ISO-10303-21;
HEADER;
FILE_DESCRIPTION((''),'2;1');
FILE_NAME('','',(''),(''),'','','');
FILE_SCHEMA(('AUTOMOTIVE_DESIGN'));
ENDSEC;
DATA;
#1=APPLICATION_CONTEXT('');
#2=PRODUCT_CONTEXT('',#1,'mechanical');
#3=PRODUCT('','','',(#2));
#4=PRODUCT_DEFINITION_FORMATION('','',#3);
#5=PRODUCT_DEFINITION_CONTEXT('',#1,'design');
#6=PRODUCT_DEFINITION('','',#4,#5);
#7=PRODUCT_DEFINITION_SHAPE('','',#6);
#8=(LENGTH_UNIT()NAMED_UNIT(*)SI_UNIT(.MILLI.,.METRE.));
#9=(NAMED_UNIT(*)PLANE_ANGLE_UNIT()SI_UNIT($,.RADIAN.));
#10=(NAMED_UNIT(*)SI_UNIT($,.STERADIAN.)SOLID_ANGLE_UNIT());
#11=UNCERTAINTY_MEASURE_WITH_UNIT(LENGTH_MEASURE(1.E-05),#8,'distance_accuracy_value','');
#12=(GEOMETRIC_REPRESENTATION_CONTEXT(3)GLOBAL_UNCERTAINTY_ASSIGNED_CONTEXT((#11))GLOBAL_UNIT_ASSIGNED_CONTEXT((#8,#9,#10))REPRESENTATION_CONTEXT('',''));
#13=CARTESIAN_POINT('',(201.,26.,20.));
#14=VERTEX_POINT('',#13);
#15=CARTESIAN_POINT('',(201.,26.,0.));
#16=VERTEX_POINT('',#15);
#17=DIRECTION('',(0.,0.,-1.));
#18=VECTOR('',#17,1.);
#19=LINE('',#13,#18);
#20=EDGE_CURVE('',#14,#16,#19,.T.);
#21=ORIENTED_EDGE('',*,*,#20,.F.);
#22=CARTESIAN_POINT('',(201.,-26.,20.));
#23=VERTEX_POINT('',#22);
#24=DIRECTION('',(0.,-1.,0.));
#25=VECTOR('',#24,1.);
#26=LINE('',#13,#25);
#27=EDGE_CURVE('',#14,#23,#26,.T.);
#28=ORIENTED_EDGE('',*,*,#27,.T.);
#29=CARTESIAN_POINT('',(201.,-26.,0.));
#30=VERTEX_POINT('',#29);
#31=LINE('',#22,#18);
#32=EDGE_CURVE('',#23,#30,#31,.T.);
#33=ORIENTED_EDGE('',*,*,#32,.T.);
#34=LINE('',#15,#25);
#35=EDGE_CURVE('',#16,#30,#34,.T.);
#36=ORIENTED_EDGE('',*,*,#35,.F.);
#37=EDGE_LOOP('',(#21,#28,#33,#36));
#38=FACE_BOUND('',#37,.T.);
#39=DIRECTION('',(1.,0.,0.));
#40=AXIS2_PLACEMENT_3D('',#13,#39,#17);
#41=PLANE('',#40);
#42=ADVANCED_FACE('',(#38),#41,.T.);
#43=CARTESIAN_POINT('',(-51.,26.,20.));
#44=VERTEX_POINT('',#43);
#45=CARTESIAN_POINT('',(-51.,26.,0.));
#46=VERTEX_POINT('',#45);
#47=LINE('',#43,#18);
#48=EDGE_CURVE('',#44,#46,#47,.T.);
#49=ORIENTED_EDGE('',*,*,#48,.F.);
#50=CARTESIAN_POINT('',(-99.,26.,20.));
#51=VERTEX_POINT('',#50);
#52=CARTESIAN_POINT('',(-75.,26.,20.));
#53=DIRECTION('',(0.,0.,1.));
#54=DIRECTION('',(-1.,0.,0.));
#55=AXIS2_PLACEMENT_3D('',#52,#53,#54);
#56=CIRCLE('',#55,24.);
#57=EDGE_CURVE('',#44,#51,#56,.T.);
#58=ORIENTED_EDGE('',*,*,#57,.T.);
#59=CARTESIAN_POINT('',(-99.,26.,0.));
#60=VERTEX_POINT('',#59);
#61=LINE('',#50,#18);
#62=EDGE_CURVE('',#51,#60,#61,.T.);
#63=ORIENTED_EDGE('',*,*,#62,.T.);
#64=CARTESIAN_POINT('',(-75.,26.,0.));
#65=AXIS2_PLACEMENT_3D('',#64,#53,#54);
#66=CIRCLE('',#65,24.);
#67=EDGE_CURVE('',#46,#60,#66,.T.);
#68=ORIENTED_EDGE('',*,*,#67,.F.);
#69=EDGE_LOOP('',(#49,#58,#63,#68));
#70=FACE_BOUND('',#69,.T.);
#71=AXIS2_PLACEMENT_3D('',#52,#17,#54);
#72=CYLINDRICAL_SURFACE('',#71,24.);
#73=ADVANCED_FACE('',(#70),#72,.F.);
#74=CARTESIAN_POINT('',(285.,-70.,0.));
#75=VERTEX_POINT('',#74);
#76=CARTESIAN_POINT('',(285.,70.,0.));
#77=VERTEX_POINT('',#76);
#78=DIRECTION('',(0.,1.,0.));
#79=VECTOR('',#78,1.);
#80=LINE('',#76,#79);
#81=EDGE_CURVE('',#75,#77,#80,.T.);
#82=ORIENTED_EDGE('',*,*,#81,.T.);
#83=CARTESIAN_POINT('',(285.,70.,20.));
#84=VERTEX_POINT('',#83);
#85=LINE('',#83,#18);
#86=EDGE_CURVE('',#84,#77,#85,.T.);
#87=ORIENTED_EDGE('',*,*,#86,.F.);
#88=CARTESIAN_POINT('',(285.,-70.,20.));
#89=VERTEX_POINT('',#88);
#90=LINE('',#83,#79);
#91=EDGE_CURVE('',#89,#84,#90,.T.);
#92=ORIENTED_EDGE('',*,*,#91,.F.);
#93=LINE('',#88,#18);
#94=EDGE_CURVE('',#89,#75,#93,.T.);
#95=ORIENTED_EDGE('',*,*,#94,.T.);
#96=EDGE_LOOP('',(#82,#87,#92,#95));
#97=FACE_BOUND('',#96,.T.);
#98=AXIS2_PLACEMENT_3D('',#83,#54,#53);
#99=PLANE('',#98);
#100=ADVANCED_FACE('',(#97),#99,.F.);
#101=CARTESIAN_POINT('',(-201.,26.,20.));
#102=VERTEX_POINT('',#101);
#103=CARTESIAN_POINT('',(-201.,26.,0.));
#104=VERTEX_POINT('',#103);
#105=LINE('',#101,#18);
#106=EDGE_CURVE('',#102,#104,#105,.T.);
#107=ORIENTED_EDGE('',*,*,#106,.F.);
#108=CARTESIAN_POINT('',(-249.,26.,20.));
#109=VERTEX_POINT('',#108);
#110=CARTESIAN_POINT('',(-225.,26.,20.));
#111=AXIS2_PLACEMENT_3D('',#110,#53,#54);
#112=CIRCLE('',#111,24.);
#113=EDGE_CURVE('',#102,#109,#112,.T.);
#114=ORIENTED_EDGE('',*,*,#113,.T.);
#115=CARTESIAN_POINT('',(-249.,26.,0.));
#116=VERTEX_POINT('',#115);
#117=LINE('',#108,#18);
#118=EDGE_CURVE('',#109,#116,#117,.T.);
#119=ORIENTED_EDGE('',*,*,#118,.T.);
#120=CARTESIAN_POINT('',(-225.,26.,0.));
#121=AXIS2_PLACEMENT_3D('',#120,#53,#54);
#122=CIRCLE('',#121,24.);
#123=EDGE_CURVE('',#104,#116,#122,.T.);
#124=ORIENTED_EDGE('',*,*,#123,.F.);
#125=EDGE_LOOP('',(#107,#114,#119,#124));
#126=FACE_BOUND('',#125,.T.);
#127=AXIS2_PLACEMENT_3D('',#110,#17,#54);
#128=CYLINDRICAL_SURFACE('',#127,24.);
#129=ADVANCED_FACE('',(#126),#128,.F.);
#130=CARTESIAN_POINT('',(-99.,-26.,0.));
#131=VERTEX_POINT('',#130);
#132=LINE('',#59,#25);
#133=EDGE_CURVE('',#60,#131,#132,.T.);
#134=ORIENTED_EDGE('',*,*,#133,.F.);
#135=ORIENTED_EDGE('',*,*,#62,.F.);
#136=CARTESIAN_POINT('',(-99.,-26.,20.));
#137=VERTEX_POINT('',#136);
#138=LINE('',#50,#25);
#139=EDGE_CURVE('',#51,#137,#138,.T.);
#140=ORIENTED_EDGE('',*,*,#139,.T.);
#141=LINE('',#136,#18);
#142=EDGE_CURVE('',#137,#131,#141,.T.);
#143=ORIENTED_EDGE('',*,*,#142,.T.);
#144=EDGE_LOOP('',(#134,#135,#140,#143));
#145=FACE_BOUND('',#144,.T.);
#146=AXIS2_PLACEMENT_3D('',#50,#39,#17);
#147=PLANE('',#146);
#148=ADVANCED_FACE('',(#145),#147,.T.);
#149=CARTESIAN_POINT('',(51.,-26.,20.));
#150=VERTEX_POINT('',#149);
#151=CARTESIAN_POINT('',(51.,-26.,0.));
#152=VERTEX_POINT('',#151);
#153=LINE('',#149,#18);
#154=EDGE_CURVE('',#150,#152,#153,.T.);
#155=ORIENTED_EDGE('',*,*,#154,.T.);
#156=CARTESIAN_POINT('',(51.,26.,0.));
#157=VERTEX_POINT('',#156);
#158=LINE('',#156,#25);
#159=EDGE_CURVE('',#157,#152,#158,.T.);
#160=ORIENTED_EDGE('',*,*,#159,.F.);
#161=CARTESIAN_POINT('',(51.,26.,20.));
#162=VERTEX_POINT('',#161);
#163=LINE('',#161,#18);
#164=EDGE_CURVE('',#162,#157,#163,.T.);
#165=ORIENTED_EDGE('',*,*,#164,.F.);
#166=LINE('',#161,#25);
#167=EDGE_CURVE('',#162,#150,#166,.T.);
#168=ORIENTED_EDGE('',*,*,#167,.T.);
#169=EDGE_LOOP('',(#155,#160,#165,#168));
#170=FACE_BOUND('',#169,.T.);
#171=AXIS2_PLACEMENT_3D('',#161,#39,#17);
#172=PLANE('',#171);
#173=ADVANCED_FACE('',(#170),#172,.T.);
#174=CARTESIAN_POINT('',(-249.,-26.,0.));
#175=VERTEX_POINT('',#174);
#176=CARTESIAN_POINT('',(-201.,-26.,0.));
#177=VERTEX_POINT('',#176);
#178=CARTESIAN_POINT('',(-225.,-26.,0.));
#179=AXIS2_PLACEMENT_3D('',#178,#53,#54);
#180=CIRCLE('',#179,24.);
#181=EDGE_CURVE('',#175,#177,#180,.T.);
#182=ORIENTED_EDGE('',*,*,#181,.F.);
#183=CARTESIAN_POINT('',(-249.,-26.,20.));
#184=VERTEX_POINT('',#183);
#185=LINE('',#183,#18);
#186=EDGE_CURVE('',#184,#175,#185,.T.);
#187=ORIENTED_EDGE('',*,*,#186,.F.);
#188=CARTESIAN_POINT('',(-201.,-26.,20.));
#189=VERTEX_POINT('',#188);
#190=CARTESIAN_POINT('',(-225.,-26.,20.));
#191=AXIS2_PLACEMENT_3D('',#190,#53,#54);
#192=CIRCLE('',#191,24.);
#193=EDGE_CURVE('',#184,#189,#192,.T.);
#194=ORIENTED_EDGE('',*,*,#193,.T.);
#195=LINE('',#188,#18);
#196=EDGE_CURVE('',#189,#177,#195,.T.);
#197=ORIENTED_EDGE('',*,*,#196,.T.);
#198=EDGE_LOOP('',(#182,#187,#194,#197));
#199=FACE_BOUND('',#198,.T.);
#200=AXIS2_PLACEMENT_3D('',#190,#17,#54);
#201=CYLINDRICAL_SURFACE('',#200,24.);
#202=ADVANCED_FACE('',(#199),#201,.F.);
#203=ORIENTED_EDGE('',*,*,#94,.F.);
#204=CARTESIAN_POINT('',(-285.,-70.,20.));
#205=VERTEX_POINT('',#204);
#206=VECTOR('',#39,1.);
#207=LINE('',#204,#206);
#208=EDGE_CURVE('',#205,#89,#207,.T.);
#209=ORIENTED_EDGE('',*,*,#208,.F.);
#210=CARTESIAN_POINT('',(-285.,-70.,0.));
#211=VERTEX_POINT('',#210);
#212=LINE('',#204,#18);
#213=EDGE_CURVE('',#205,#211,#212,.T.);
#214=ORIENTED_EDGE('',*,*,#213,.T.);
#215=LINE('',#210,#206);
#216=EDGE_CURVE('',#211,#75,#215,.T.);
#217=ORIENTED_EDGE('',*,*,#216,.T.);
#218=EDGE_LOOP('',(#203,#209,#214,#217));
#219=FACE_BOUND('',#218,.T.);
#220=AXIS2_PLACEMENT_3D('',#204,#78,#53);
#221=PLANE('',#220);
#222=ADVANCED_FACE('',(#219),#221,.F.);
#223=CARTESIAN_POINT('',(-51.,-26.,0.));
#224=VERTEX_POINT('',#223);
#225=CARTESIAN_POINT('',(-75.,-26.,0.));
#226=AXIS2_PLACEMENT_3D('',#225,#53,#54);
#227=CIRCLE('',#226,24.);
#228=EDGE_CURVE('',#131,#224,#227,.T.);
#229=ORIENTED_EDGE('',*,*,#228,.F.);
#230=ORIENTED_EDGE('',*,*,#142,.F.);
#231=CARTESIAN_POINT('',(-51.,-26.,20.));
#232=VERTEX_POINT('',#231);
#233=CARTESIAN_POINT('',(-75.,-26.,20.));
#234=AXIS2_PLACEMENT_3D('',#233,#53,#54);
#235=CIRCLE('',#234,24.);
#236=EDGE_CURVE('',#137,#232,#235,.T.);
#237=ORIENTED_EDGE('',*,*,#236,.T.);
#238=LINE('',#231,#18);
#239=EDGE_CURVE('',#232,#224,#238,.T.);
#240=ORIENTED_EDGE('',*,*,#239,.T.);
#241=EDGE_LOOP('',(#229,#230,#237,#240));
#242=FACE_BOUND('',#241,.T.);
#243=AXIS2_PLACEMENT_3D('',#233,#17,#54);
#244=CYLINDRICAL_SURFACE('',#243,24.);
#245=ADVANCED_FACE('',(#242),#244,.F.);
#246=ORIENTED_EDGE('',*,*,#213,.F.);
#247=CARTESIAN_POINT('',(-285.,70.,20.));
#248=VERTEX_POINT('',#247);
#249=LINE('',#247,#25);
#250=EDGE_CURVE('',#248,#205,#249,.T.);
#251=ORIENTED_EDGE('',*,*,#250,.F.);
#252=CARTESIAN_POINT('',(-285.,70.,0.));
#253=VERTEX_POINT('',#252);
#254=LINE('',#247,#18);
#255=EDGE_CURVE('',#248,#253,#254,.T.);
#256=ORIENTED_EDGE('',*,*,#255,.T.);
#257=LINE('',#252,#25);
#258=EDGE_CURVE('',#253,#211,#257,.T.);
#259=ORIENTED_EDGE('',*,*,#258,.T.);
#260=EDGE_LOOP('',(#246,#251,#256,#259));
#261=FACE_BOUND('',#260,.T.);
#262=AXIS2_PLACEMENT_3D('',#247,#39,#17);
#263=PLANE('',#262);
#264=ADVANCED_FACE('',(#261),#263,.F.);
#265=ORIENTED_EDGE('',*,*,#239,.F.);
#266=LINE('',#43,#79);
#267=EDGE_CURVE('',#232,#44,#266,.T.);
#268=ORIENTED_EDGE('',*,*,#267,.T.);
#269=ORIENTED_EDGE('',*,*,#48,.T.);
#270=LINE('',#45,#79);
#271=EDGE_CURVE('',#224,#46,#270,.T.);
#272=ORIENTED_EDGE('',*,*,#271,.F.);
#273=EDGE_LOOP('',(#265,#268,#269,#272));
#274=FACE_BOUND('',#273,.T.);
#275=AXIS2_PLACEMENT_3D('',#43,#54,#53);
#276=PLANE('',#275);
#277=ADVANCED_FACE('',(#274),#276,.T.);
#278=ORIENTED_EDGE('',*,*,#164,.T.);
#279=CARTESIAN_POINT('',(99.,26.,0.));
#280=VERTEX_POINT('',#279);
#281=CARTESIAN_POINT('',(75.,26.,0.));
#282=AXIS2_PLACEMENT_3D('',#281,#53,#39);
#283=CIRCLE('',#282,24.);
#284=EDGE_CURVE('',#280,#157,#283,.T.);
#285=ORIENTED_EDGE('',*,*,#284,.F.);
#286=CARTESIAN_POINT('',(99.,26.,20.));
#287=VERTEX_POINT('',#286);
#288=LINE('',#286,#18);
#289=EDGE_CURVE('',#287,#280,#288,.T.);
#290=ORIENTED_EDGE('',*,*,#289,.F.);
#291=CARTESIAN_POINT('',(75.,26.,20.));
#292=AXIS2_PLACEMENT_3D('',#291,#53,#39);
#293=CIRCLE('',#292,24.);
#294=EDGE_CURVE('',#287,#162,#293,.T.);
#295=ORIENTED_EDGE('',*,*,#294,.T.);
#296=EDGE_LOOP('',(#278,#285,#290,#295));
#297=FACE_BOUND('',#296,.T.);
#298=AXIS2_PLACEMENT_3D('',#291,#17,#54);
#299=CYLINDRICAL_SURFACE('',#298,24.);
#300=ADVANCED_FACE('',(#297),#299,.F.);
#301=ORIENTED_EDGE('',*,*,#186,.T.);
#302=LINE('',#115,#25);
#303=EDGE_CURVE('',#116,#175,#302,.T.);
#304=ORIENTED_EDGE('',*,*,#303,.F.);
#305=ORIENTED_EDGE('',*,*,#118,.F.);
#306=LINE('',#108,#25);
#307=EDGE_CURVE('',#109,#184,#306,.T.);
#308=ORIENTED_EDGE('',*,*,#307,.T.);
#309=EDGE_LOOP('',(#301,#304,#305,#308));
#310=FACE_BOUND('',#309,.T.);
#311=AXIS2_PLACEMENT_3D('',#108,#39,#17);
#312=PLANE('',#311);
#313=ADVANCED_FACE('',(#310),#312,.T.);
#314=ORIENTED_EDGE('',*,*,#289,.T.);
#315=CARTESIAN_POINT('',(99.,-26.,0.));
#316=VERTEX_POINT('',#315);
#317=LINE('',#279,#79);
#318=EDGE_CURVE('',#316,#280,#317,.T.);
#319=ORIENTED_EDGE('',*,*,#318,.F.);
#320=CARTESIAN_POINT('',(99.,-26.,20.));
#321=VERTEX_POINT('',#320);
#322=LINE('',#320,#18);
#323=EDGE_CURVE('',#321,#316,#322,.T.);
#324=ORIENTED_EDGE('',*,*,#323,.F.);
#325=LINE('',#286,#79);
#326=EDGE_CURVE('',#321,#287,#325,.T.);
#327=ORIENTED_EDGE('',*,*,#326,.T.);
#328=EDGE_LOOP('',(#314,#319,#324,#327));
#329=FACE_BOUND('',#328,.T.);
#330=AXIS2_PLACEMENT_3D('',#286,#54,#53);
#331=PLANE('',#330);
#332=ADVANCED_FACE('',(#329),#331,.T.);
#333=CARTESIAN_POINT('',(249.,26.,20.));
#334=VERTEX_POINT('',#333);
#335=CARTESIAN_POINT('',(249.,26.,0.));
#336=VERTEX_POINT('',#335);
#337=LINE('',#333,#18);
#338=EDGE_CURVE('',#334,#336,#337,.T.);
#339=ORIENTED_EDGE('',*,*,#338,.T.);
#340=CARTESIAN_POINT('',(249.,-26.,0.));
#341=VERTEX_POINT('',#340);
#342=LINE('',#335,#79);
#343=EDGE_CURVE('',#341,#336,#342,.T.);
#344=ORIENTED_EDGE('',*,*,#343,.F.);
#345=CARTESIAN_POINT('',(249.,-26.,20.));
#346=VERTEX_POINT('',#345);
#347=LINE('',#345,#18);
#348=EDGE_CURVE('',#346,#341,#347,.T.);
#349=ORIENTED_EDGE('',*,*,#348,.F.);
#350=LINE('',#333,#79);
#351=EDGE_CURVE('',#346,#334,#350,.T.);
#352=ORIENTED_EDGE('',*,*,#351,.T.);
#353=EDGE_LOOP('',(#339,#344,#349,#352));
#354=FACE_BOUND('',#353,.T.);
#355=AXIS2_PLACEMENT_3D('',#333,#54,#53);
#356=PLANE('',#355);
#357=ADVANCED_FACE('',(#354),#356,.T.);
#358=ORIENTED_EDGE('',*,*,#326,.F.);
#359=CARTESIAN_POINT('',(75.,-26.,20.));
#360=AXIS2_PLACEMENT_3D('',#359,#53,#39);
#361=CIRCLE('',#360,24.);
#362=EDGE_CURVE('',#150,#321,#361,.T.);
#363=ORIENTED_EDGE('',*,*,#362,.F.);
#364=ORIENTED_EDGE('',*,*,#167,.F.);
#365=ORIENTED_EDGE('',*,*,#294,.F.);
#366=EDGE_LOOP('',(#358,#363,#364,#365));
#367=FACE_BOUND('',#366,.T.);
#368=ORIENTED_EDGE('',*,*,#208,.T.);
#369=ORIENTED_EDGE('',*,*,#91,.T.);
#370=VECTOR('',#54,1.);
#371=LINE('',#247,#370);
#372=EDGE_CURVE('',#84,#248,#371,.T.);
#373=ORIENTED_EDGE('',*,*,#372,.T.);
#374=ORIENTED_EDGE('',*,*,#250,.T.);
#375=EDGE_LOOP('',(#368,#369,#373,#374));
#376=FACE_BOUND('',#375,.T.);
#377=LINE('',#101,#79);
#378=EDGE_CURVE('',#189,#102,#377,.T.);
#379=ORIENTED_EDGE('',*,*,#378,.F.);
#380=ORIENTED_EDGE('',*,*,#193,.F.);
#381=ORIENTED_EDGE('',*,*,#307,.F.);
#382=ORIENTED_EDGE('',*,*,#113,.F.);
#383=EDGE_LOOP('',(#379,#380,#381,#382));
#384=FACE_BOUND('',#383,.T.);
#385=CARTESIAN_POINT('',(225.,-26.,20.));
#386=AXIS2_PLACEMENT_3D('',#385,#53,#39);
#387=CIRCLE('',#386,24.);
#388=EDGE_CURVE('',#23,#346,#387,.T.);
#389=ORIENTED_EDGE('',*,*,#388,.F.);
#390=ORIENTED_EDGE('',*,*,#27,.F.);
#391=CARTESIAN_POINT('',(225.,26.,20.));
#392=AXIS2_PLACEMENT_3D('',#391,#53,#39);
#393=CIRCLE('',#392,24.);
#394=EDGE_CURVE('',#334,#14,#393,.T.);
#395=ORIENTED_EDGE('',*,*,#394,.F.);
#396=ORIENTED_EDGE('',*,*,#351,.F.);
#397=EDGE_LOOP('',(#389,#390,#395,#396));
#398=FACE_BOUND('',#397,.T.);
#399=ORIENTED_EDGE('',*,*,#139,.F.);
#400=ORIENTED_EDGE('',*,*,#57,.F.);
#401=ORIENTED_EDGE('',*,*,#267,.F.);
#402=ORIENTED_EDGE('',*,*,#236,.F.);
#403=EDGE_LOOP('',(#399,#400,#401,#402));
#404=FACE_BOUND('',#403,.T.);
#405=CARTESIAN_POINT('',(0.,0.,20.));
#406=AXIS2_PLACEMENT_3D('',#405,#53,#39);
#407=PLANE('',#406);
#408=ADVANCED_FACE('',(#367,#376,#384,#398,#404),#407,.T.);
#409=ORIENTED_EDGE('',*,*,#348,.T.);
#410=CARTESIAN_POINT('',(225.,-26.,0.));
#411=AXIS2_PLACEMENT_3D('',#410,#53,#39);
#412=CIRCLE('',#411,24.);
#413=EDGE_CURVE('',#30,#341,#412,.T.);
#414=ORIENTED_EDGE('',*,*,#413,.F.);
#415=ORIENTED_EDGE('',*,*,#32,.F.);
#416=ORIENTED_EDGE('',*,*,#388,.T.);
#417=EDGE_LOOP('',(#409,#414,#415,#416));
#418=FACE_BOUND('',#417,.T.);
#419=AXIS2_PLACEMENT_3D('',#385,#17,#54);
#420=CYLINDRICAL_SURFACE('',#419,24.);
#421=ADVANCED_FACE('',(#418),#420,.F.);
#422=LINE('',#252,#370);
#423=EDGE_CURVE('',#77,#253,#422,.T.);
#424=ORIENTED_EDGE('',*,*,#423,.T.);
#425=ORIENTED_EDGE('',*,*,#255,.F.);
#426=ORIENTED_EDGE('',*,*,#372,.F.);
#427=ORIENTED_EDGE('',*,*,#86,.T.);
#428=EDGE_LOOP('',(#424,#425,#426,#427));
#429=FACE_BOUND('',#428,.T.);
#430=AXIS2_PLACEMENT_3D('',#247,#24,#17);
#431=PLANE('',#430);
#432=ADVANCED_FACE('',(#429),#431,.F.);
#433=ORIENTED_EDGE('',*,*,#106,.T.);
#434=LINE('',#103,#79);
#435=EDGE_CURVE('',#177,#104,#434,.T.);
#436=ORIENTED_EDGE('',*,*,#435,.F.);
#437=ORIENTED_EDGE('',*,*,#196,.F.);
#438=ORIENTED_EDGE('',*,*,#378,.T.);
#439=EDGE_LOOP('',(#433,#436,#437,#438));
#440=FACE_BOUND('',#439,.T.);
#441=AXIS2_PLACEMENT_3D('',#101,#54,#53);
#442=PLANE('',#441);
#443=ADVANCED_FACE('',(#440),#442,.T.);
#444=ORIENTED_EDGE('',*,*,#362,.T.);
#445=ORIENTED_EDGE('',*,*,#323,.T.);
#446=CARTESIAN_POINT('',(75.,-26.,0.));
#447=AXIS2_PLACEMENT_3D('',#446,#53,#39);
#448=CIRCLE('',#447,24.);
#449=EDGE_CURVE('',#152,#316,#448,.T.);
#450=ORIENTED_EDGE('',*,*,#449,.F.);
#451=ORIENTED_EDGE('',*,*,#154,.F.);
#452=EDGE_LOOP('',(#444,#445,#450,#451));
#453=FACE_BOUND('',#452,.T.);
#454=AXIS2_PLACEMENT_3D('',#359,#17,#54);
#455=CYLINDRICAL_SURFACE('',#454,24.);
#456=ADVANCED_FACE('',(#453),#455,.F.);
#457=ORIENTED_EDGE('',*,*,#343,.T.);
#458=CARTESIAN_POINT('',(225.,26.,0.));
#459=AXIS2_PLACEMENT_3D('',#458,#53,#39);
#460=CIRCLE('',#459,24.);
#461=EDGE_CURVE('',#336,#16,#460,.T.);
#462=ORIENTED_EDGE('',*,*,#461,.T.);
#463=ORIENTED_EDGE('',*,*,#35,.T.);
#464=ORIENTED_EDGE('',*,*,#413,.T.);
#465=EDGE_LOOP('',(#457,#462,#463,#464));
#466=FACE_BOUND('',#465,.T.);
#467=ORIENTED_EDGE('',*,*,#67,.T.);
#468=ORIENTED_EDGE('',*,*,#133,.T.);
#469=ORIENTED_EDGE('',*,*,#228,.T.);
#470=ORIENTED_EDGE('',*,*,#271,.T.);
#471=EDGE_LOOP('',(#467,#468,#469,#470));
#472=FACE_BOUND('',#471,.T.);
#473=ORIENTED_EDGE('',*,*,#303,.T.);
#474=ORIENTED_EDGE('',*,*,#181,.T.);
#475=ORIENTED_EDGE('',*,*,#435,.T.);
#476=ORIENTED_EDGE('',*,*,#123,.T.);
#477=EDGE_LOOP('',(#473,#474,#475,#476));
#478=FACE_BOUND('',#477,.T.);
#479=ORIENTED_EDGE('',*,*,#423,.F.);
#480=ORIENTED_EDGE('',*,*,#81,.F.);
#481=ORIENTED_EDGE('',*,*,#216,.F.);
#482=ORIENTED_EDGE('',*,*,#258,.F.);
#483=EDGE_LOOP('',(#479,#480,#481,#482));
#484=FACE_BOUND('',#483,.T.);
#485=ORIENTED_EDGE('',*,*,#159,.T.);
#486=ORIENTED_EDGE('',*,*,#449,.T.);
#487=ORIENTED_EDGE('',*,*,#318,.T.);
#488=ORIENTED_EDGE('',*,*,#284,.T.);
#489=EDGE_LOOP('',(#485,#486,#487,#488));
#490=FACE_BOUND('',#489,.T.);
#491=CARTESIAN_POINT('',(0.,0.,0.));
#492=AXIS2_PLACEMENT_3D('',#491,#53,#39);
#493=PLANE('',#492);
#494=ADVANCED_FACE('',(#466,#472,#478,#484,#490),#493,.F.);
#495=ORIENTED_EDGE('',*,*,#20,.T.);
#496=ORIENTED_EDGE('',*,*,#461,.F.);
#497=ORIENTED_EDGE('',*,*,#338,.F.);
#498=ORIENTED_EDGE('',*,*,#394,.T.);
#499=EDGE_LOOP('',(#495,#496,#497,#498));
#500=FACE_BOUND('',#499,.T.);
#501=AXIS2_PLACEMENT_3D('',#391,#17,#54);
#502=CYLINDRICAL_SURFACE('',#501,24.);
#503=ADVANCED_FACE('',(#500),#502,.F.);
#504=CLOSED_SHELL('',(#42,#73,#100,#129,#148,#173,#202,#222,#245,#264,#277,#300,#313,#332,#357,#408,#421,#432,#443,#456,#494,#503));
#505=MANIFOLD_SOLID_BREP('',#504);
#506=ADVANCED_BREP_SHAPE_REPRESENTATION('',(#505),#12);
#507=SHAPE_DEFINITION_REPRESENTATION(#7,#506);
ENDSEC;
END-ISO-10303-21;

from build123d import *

# Parameters (mm, degrees)
SKETCH1_W           = 570
SKETCH1_H           = 140
BOSS_EXTRUDE1_DEPTH = 20


with BuildPart() as part:
    # Sketch1 → Boss-Extrude1 (new body)
    with BuildSketch(Plane.XY):
        Rectangle(SKETCH1_W, SKETCH1_H)
        with BuildLine():
            Line((99, 26), (99, -26))
            ThreePointArc((99, -26), (75, -50), (51, -26))
            Line((51, -26), (51, 26))
            ThreePointArc((51, 26), (75, 50), (99, 26))
        make_face(mode=Mode.SUBTRACT)
        with BuildLine():
            Line((249, 26), (249, -26))
            ThreePointArc((249, -26), (225, -50), (201, -26))
            Line((201, -26), (201, 26))
            ThreePointArc((201, 26), (225, 50), (249, 26))
        make_face(mode=Mode.SUBTRACT)
        with BuildLine():
            Line((-99, 26), (-99, -26))
            ThreePointArc((-99, -26), (-75, -50), (-51, -26))
            Line((-51, -26), (-51, 26))
            ThreePointArc((-51, 26), (-75, 50), (-99, 26))
        make_face(mode=Mode.SUBTRACT)
        with BuildLine():
            Line((-249, 26), (-249, -26))
            ThreePointArc((-249, -26), (-225, -50), (-201, -26))
            Line((-201, -26), (-201, 26))
            ThreePointArc((-201, 26), (-225, 50), (-249, 26))
        make_face(mode=Mode.SUBTRACT)
    extrude(amount=BOSS_EXTRUDE1_DEPTH)


solid = part.part
